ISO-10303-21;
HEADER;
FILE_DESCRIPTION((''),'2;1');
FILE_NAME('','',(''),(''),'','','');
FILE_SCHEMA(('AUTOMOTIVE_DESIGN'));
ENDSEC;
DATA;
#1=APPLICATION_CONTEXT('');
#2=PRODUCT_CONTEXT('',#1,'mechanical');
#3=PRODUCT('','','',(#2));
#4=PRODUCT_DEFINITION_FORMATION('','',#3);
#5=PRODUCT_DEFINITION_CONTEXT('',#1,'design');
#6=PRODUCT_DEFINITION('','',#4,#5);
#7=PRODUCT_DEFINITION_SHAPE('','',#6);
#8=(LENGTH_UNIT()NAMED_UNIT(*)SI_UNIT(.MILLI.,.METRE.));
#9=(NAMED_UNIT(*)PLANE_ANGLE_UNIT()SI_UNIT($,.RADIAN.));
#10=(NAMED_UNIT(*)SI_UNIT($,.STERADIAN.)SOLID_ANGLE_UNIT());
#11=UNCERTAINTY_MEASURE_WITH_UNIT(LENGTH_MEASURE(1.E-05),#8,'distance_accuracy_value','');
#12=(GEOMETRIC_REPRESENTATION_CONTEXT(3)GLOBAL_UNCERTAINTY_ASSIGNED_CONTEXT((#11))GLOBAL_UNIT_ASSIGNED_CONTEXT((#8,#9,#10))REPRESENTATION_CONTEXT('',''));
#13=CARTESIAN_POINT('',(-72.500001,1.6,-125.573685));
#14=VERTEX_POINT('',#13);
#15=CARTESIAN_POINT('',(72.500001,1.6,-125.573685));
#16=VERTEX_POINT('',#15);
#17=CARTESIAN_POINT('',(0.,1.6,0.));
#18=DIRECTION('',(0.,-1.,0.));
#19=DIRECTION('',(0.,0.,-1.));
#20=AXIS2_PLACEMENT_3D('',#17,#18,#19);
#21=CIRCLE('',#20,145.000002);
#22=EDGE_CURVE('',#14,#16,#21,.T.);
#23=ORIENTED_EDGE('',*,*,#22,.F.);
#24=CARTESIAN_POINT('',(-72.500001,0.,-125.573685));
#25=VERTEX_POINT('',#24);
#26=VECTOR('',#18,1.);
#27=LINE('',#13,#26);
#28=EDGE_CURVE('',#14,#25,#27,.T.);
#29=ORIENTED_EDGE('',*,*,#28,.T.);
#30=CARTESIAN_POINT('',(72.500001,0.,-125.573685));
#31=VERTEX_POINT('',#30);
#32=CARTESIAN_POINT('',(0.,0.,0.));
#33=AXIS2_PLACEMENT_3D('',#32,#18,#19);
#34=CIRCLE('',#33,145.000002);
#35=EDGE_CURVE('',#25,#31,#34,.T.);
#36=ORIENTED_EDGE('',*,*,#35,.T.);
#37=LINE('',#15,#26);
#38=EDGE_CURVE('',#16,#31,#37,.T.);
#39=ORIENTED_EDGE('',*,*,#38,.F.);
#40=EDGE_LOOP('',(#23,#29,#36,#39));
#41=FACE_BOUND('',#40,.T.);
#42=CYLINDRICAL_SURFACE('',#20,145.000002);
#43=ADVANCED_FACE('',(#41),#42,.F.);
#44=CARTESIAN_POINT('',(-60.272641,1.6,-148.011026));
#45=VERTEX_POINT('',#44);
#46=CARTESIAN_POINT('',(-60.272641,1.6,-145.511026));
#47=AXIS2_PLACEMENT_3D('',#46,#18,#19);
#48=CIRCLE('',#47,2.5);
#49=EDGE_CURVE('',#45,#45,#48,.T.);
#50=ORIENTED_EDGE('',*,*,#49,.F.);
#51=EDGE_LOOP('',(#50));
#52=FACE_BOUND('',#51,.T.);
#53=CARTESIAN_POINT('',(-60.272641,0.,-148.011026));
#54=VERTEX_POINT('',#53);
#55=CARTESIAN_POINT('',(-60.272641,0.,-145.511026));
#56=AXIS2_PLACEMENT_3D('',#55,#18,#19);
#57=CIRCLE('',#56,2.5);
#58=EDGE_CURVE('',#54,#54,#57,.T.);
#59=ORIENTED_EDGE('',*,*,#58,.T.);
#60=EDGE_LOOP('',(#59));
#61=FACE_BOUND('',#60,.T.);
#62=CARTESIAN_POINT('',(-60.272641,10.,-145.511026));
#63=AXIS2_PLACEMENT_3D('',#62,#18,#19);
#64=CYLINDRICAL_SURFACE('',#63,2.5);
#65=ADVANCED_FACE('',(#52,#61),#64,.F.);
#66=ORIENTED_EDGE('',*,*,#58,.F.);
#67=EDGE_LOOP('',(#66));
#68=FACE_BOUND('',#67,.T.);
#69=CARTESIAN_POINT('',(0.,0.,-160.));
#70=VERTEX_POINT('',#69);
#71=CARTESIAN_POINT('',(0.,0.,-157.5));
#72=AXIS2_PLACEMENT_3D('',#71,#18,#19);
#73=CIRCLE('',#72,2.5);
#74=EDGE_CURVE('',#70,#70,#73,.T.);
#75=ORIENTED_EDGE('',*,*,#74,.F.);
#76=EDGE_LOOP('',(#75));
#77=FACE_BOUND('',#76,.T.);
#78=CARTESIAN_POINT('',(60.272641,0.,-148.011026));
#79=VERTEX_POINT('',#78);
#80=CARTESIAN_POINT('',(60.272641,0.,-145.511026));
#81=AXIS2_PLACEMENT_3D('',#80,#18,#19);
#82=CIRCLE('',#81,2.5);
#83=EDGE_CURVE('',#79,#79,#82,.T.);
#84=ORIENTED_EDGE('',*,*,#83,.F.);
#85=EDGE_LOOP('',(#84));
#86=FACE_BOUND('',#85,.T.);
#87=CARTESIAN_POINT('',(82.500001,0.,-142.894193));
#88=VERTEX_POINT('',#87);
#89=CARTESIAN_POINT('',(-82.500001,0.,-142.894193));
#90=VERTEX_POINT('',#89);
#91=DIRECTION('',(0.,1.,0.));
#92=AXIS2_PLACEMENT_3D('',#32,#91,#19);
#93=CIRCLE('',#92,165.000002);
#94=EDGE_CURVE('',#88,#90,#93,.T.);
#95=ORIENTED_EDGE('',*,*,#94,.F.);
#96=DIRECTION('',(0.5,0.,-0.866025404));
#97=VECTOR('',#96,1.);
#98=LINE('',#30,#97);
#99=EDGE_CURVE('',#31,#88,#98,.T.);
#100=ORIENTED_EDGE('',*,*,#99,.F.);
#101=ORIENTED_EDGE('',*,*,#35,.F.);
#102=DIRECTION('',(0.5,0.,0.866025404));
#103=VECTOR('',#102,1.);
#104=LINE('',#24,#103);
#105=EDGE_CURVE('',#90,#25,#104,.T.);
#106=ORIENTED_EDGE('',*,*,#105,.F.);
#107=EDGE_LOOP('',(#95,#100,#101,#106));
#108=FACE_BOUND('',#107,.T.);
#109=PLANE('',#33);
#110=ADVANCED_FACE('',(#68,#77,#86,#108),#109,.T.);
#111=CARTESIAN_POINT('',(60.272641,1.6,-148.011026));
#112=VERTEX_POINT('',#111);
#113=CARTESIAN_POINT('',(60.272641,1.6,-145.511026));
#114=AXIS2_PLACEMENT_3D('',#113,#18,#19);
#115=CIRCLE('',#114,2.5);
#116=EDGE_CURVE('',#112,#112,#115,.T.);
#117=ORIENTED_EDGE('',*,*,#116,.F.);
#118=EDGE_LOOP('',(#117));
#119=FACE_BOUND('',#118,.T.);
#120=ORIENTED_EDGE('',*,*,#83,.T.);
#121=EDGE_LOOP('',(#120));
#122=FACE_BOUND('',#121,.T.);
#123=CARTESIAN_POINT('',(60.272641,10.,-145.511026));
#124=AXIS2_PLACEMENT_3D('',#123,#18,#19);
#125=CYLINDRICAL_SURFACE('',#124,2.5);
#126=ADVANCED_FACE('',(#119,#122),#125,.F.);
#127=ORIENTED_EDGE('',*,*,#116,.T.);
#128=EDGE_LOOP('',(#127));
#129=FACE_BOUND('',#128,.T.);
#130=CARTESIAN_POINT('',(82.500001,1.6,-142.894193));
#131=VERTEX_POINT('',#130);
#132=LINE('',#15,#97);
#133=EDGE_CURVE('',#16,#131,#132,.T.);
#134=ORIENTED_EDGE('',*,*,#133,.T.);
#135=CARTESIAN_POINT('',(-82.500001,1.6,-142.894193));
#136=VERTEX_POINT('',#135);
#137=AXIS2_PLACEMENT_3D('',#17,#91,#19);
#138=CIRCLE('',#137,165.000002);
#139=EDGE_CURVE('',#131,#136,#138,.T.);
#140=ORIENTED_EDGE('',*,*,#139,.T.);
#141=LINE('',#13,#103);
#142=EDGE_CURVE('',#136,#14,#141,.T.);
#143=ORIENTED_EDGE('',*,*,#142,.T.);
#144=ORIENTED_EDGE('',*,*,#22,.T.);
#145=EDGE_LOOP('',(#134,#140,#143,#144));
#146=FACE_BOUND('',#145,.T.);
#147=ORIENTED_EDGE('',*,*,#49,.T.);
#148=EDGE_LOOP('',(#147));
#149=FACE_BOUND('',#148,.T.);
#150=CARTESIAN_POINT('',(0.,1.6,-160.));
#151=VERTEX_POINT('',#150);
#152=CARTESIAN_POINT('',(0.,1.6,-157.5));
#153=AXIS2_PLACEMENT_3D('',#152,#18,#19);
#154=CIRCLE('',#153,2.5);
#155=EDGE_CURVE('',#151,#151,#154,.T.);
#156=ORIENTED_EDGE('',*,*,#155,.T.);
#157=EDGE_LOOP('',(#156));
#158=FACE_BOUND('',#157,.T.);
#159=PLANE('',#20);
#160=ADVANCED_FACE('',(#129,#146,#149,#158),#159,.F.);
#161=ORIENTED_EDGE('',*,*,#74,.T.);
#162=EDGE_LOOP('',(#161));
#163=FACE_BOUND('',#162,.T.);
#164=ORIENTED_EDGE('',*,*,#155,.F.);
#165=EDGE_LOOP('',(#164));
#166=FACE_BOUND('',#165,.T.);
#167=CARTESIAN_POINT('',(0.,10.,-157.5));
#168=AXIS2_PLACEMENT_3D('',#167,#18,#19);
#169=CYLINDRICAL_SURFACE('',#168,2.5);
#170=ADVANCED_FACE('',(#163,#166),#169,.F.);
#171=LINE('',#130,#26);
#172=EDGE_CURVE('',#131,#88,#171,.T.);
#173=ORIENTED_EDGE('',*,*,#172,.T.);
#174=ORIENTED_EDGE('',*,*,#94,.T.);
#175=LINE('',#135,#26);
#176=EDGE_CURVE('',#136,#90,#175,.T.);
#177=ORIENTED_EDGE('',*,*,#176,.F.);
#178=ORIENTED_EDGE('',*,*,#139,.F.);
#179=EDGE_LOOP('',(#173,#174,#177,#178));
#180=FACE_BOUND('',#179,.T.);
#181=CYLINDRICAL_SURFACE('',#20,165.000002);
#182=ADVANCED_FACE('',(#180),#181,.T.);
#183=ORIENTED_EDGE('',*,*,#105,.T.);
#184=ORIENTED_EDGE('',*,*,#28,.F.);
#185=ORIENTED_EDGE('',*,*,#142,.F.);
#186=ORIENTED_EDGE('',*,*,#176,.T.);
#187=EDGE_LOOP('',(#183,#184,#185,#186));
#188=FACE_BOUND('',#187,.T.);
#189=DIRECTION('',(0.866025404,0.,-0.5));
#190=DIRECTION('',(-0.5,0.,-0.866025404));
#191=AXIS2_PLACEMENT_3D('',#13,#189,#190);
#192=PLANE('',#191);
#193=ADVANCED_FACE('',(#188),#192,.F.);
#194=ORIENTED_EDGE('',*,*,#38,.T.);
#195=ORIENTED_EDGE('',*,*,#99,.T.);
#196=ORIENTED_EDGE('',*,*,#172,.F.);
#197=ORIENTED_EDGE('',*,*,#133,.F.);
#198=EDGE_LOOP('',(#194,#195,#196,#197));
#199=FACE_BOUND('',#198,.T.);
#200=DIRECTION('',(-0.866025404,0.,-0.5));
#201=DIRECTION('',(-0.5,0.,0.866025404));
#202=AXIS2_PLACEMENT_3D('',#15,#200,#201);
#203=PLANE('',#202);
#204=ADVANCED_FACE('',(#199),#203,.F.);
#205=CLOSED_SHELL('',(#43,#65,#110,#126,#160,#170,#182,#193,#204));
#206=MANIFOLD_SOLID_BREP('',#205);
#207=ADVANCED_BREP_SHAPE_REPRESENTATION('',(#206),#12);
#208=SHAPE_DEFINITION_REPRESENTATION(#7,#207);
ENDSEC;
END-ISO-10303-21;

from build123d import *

# Parameters (mm, degrees)
BOSS_EXTRUDE1_DEPTH = 1.6
SKETCH2_R           = 2.5
CUT_EXTRUDE1_DEPTH  = 10


with BuildPart() as part:
    # Sketch1 → Boss-Extrude1 (new body)
    with BuildSketch(Plane(origin=(0, 0, 0), x_dir=(1, 0, 0), z_dir=(0, 1, 0))):
        with BuildLine():
            Line((-72.50000105, 125.573685367), (-82.50000105, 142.894193443))
            ThreePointArc((-82.50000105, 142.894193443), (0, 165.0000021), (82.50000105, 142.894193443))
            Line((82.50000105, 142.894193443), (72.50000105, 125.573685367))
            ThreePointArc((72.50000105, 125.573685367), (0, 145.0000021), (-72.50000105, 125.573685367))
        make_face()
    extrude(amount=BOSS_EXTRUDE1_DEPTH)

    # Sketch2 → Cut-Extrude1 (cut)
    with BuildSketch(Plane.XZ):
        with Locations(Location((-60.272640598, -145.511026371, 0), (0, 0, 270))):
            Circle(SKETCH2_R)
        with Locations(Location((0, -157.5, 0), (0, 0, 270))):
            Circle(SKETCH2_R)
        with Locations(Location((60.272640598, -145.511026371, 0), (0, 0, 270))):
            Circle(SKETCH2_R)
    extrude(amount=-CUT_EXTRUDE1_DEPTH, mode=Mode.SUBTRACT)


solid = part.part
